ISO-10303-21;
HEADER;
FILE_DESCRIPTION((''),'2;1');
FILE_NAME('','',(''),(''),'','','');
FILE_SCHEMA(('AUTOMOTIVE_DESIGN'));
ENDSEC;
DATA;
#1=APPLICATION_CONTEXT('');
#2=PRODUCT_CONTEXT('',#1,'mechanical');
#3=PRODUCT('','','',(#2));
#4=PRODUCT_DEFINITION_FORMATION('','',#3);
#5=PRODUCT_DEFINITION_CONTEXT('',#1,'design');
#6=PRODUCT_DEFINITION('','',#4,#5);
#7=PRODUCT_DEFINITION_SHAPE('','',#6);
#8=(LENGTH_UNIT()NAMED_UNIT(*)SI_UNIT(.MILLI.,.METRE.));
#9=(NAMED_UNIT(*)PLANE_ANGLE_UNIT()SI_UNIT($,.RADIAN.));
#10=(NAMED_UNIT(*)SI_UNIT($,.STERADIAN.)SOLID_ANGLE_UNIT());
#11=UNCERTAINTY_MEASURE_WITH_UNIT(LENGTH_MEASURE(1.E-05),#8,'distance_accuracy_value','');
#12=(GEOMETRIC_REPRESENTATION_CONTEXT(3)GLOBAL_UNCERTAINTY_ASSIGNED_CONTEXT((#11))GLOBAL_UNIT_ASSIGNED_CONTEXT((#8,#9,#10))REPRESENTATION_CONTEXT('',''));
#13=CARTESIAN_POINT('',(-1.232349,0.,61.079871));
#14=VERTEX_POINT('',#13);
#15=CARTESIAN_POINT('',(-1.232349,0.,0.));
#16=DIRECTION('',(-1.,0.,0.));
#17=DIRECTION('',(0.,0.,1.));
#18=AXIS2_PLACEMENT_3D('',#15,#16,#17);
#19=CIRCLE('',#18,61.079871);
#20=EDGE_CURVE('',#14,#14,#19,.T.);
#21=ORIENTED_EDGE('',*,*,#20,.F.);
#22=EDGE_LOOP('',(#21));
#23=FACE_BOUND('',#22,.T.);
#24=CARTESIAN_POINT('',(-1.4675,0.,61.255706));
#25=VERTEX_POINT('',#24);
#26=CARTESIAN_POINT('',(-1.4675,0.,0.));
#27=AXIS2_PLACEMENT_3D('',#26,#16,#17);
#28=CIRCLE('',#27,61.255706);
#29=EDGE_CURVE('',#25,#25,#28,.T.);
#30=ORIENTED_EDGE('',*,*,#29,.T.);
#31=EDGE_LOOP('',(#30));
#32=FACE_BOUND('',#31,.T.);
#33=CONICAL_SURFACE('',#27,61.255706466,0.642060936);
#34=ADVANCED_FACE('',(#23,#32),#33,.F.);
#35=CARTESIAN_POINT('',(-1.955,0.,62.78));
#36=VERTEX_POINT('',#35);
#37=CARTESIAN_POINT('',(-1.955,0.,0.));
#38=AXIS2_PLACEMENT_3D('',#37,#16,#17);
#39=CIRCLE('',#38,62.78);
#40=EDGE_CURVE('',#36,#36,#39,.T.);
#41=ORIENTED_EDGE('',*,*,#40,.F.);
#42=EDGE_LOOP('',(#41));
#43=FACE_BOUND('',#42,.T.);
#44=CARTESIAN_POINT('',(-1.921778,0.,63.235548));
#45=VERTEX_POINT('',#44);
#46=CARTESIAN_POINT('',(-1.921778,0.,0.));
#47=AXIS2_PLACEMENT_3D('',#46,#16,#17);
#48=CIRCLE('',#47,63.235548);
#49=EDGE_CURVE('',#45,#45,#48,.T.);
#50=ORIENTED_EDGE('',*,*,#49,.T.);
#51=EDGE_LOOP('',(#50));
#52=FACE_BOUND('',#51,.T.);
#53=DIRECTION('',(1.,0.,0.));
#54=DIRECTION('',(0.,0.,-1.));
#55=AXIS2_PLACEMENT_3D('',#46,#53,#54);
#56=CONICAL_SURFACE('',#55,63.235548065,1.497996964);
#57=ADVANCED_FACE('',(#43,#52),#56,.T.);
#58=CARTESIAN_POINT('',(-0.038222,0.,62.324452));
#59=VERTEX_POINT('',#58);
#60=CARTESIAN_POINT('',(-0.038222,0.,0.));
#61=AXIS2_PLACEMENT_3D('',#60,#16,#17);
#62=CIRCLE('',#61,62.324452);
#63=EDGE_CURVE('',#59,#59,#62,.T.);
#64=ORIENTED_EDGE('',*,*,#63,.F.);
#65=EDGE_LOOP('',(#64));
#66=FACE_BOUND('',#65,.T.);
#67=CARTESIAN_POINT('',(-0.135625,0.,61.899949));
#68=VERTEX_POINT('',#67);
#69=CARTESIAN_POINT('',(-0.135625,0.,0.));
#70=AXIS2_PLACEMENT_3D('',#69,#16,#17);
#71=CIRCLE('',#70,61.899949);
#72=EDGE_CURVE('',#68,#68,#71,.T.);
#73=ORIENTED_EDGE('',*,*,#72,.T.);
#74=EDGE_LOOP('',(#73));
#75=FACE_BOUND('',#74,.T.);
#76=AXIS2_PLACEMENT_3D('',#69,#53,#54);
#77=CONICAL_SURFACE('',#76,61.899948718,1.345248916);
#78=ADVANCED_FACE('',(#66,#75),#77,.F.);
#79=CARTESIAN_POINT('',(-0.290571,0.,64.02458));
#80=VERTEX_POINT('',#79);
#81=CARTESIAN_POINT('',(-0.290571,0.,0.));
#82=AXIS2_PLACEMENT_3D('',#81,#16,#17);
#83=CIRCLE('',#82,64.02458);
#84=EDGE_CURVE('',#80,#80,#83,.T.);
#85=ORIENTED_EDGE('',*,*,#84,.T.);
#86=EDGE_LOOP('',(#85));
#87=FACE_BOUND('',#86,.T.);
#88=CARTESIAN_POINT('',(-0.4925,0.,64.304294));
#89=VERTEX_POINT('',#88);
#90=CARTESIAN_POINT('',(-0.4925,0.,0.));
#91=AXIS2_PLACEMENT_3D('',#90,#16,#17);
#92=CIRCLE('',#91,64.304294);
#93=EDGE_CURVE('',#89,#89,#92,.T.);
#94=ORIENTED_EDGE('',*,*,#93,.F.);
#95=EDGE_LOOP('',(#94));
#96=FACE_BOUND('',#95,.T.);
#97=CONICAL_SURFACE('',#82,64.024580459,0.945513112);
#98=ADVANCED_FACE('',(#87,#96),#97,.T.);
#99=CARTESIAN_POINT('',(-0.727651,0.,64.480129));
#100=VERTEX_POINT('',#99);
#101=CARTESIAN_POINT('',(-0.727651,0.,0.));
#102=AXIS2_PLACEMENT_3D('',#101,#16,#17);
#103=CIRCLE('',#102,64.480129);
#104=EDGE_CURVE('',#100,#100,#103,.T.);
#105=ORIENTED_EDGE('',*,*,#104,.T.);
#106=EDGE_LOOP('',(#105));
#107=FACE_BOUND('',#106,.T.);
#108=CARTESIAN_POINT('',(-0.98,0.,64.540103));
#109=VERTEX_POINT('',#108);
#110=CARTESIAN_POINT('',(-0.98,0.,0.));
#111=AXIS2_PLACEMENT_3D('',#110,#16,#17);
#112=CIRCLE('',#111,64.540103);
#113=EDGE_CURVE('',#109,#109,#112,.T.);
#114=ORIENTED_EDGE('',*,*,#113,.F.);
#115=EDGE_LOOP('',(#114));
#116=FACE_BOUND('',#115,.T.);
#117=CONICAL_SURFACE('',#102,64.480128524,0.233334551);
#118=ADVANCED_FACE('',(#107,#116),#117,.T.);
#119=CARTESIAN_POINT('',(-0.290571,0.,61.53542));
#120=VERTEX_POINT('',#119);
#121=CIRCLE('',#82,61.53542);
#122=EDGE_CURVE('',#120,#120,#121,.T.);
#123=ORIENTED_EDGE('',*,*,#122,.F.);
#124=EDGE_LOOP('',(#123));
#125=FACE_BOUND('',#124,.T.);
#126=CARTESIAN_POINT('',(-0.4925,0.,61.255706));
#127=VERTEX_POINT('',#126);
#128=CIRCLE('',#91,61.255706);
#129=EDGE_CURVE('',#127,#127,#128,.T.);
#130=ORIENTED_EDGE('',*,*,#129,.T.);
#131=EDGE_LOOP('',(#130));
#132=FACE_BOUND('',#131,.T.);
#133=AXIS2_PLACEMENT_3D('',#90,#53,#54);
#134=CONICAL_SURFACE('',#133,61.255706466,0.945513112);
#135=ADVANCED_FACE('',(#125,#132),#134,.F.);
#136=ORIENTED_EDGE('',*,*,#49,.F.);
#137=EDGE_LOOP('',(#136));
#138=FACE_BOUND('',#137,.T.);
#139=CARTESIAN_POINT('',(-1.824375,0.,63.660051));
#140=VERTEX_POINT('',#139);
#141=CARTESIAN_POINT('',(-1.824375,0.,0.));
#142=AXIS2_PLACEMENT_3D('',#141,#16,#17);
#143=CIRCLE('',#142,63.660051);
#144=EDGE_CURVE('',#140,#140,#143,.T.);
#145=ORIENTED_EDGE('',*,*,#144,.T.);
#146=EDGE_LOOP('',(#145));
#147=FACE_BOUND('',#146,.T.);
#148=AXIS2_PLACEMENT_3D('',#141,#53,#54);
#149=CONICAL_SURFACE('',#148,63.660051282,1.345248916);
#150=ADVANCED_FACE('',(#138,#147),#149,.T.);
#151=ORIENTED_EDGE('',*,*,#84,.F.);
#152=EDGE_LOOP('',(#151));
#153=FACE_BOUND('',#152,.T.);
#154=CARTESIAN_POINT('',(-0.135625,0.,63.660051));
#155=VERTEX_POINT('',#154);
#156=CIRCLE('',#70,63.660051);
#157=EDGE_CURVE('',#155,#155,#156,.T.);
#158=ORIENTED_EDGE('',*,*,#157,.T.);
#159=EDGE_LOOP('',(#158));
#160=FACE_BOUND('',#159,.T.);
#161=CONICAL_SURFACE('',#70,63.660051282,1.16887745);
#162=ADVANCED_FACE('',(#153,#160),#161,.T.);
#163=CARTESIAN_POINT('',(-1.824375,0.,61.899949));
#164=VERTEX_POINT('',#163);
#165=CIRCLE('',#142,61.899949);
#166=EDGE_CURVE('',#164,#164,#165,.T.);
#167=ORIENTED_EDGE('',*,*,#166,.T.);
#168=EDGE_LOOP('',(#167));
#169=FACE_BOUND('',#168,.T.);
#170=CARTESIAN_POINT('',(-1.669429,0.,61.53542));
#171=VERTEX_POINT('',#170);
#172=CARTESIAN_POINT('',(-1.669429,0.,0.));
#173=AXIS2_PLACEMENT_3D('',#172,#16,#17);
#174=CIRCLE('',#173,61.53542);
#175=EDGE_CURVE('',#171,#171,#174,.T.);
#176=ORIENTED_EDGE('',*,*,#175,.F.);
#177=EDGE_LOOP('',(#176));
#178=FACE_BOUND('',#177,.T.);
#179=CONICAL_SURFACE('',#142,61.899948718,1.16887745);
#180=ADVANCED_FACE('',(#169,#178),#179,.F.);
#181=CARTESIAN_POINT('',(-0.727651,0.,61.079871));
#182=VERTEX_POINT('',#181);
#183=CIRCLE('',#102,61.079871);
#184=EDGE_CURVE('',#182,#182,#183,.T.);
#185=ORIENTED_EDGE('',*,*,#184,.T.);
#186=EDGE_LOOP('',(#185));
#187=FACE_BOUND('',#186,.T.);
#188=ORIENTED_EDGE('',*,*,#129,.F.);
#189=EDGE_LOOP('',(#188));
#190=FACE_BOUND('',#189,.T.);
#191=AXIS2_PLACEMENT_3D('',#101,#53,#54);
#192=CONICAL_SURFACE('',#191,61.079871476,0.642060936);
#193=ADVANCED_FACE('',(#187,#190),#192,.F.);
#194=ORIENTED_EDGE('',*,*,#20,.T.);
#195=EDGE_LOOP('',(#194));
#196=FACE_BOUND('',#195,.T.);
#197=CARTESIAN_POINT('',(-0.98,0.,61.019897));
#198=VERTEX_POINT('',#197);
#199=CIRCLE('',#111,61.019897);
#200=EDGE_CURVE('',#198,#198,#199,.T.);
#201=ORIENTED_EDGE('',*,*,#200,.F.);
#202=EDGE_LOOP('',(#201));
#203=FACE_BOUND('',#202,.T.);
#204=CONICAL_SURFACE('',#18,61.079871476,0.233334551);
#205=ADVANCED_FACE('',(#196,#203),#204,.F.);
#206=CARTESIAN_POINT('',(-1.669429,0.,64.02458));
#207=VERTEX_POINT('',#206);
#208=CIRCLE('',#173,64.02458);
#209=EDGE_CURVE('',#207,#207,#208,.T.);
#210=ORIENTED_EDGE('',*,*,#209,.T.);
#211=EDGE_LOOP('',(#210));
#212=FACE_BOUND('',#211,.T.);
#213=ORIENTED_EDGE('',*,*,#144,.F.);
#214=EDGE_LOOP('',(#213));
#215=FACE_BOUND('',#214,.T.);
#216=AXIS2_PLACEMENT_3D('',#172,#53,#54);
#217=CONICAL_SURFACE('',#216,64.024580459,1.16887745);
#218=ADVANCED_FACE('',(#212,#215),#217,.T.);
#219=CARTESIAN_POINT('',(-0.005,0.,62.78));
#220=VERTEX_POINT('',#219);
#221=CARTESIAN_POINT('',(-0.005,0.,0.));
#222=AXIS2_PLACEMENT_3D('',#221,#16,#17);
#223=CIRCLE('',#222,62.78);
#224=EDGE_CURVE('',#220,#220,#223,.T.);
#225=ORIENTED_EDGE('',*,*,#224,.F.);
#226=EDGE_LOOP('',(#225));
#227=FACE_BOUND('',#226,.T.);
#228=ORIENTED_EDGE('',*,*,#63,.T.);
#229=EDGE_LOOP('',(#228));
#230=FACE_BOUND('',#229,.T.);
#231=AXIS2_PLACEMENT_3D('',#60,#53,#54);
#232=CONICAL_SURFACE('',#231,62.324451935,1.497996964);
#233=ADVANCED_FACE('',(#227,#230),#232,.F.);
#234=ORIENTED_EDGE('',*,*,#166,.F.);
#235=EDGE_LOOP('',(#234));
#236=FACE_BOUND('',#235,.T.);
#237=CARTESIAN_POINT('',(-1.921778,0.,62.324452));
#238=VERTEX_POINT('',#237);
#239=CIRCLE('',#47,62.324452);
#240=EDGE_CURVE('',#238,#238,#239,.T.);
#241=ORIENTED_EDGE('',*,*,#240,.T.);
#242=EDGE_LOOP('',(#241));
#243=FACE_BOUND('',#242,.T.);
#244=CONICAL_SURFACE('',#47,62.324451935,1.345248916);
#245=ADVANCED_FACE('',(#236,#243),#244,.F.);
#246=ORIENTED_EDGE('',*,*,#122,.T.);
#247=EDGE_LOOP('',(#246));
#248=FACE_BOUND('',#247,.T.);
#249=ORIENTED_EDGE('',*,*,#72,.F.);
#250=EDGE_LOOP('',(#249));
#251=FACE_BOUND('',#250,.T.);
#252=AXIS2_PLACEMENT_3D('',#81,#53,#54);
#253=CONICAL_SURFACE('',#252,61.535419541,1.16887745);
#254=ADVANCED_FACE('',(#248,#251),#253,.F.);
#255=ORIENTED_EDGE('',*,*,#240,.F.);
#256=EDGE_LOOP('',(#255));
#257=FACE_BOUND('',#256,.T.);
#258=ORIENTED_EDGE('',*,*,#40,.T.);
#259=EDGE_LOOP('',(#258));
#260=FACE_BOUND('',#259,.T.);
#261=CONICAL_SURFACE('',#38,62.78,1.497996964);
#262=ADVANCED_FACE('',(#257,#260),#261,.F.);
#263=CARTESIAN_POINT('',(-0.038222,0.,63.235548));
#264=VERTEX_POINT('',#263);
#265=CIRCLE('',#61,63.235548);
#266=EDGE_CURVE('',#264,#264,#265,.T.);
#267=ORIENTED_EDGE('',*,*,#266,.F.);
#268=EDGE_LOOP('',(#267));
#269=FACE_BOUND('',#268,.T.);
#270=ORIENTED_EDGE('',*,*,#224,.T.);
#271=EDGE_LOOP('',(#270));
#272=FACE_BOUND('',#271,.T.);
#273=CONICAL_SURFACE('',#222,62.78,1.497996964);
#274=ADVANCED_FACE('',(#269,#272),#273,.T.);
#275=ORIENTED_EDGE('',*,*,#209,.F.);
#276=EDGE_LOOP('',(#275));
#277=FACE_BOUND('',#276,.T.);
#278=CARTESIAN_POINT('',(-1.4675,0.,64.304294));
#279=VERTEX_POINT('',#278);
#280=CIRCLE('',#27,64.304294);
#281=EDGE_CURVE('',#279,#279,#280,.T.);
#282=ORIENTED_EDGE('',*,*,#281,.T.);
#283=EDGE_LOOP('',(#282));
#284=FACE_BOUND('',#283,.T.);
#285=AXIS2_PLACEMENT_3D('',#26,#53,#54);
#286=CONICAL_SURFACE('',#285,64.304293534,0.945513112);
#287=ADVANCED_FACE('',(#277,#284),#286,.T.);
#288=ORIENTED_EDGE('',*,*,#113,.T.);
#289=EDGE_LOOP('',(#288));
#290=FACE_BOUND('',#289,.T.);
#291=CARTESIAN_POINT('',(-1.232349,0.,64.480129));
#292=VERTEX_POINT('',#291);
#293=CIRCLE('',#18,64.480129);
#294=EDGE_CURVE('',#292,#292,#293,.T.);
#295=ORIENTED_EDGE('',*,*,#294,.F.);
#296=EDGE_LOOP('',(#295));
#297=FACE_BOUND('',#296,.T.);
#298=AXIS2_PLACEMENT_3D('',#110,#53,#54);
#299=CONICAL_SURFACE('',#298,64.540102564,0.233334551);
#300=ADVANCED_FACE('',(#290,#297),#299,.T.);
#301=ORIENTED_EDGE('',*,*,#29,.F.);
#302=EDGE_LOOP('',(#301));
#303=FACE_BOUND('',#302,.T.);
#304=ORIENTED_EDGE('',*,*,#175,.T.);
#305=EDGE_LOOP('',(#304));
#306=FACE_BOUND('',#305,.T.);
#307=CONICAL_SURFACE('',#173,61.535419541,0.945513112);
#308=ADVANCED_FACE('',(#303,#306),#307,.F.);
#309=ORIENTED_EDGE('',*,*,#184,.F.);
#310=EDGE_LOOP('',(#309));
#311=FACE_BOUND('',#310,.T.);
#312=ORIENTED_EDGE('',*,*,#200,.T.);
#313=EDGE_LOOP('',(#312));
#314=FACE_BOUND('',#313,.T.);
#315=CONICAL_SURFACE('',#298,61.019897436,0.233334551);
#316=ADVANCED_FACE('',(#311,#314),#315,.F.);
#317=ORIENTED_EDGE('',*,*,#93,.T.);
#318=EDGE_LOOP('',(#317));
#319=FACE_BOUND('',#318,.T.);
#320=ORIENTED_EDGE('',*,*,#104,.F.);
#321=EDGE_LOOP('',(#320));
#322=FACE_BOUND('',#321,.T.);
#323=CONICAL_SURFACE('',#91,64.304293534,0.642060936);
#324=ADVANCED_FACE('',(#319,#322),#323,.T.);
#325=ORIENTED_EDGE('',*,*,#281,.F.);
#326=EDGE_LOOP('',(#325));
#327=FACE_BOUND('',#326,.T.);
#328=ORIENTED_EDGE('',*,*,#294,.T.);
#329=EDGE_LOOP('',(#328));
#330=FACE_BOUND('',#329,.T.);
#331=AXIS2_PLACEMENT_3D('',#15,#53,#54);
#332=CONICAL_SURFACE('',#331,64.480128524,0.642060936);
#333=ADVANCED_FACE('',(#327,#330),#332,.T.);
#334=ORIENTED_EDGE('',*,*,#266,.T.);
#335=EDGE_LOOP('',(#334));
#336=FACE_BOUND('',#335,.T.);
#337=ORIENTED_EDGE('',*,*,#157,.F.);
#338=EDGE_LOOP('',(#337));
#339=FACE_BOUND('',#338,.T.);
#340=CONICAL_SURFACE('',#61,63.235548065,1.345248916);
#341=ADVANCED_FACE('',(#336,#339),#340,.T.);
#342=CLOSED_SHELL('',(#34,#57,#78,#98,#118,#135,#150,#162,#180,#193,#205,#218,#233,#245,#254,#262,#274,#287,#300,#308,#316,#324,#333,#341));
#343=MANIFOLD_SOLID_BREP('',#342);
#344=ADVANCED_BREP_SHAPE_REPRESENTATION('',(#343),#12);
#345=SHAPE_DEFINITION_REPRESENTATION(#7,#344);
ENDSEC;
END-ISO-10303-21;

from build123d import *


with BuildPart() as part:
    # O_Ring_Inner Sketch → O_Ring_Inner (revolve)
    with BuildSketch(Plane.XY):
        Polygon((-1.955, 62.78), (-1.921777681, 63.235548065), (-1.824374769, 63.660051282), (-1.669429112, 64.024580459), (-1.4675, 64.304293534), (-1.232348569, 64.480128524), (-0.98, 64.540102564), (-0.727651431, 64.480128524), (-0.4925, 64.304293534), (-0.290570888, 64.024580459), (-0.135625231, 63.660051282), (-0.038222319, 63.235548065), (-0.005, 62.78), (-0.038222319, 62.324451935), (-0.135625231, 61.899948718), (-0.290570888, 61.535419541), (-0.4925, 61.255706466), (-0.727651431, 61.079871476), (-0.98, 61.019897436), (-1.232348569, 61.079871476), (-1.4675, 61.255706466), (-1.669429112, 61.535419541), (-1.824374769, 61.899948718), (-1.921777681, 62.324451935), align=None)
    revolve(axis=Axis((-1000, 0, 0), (1, 0, 0)))


solid = part.part
